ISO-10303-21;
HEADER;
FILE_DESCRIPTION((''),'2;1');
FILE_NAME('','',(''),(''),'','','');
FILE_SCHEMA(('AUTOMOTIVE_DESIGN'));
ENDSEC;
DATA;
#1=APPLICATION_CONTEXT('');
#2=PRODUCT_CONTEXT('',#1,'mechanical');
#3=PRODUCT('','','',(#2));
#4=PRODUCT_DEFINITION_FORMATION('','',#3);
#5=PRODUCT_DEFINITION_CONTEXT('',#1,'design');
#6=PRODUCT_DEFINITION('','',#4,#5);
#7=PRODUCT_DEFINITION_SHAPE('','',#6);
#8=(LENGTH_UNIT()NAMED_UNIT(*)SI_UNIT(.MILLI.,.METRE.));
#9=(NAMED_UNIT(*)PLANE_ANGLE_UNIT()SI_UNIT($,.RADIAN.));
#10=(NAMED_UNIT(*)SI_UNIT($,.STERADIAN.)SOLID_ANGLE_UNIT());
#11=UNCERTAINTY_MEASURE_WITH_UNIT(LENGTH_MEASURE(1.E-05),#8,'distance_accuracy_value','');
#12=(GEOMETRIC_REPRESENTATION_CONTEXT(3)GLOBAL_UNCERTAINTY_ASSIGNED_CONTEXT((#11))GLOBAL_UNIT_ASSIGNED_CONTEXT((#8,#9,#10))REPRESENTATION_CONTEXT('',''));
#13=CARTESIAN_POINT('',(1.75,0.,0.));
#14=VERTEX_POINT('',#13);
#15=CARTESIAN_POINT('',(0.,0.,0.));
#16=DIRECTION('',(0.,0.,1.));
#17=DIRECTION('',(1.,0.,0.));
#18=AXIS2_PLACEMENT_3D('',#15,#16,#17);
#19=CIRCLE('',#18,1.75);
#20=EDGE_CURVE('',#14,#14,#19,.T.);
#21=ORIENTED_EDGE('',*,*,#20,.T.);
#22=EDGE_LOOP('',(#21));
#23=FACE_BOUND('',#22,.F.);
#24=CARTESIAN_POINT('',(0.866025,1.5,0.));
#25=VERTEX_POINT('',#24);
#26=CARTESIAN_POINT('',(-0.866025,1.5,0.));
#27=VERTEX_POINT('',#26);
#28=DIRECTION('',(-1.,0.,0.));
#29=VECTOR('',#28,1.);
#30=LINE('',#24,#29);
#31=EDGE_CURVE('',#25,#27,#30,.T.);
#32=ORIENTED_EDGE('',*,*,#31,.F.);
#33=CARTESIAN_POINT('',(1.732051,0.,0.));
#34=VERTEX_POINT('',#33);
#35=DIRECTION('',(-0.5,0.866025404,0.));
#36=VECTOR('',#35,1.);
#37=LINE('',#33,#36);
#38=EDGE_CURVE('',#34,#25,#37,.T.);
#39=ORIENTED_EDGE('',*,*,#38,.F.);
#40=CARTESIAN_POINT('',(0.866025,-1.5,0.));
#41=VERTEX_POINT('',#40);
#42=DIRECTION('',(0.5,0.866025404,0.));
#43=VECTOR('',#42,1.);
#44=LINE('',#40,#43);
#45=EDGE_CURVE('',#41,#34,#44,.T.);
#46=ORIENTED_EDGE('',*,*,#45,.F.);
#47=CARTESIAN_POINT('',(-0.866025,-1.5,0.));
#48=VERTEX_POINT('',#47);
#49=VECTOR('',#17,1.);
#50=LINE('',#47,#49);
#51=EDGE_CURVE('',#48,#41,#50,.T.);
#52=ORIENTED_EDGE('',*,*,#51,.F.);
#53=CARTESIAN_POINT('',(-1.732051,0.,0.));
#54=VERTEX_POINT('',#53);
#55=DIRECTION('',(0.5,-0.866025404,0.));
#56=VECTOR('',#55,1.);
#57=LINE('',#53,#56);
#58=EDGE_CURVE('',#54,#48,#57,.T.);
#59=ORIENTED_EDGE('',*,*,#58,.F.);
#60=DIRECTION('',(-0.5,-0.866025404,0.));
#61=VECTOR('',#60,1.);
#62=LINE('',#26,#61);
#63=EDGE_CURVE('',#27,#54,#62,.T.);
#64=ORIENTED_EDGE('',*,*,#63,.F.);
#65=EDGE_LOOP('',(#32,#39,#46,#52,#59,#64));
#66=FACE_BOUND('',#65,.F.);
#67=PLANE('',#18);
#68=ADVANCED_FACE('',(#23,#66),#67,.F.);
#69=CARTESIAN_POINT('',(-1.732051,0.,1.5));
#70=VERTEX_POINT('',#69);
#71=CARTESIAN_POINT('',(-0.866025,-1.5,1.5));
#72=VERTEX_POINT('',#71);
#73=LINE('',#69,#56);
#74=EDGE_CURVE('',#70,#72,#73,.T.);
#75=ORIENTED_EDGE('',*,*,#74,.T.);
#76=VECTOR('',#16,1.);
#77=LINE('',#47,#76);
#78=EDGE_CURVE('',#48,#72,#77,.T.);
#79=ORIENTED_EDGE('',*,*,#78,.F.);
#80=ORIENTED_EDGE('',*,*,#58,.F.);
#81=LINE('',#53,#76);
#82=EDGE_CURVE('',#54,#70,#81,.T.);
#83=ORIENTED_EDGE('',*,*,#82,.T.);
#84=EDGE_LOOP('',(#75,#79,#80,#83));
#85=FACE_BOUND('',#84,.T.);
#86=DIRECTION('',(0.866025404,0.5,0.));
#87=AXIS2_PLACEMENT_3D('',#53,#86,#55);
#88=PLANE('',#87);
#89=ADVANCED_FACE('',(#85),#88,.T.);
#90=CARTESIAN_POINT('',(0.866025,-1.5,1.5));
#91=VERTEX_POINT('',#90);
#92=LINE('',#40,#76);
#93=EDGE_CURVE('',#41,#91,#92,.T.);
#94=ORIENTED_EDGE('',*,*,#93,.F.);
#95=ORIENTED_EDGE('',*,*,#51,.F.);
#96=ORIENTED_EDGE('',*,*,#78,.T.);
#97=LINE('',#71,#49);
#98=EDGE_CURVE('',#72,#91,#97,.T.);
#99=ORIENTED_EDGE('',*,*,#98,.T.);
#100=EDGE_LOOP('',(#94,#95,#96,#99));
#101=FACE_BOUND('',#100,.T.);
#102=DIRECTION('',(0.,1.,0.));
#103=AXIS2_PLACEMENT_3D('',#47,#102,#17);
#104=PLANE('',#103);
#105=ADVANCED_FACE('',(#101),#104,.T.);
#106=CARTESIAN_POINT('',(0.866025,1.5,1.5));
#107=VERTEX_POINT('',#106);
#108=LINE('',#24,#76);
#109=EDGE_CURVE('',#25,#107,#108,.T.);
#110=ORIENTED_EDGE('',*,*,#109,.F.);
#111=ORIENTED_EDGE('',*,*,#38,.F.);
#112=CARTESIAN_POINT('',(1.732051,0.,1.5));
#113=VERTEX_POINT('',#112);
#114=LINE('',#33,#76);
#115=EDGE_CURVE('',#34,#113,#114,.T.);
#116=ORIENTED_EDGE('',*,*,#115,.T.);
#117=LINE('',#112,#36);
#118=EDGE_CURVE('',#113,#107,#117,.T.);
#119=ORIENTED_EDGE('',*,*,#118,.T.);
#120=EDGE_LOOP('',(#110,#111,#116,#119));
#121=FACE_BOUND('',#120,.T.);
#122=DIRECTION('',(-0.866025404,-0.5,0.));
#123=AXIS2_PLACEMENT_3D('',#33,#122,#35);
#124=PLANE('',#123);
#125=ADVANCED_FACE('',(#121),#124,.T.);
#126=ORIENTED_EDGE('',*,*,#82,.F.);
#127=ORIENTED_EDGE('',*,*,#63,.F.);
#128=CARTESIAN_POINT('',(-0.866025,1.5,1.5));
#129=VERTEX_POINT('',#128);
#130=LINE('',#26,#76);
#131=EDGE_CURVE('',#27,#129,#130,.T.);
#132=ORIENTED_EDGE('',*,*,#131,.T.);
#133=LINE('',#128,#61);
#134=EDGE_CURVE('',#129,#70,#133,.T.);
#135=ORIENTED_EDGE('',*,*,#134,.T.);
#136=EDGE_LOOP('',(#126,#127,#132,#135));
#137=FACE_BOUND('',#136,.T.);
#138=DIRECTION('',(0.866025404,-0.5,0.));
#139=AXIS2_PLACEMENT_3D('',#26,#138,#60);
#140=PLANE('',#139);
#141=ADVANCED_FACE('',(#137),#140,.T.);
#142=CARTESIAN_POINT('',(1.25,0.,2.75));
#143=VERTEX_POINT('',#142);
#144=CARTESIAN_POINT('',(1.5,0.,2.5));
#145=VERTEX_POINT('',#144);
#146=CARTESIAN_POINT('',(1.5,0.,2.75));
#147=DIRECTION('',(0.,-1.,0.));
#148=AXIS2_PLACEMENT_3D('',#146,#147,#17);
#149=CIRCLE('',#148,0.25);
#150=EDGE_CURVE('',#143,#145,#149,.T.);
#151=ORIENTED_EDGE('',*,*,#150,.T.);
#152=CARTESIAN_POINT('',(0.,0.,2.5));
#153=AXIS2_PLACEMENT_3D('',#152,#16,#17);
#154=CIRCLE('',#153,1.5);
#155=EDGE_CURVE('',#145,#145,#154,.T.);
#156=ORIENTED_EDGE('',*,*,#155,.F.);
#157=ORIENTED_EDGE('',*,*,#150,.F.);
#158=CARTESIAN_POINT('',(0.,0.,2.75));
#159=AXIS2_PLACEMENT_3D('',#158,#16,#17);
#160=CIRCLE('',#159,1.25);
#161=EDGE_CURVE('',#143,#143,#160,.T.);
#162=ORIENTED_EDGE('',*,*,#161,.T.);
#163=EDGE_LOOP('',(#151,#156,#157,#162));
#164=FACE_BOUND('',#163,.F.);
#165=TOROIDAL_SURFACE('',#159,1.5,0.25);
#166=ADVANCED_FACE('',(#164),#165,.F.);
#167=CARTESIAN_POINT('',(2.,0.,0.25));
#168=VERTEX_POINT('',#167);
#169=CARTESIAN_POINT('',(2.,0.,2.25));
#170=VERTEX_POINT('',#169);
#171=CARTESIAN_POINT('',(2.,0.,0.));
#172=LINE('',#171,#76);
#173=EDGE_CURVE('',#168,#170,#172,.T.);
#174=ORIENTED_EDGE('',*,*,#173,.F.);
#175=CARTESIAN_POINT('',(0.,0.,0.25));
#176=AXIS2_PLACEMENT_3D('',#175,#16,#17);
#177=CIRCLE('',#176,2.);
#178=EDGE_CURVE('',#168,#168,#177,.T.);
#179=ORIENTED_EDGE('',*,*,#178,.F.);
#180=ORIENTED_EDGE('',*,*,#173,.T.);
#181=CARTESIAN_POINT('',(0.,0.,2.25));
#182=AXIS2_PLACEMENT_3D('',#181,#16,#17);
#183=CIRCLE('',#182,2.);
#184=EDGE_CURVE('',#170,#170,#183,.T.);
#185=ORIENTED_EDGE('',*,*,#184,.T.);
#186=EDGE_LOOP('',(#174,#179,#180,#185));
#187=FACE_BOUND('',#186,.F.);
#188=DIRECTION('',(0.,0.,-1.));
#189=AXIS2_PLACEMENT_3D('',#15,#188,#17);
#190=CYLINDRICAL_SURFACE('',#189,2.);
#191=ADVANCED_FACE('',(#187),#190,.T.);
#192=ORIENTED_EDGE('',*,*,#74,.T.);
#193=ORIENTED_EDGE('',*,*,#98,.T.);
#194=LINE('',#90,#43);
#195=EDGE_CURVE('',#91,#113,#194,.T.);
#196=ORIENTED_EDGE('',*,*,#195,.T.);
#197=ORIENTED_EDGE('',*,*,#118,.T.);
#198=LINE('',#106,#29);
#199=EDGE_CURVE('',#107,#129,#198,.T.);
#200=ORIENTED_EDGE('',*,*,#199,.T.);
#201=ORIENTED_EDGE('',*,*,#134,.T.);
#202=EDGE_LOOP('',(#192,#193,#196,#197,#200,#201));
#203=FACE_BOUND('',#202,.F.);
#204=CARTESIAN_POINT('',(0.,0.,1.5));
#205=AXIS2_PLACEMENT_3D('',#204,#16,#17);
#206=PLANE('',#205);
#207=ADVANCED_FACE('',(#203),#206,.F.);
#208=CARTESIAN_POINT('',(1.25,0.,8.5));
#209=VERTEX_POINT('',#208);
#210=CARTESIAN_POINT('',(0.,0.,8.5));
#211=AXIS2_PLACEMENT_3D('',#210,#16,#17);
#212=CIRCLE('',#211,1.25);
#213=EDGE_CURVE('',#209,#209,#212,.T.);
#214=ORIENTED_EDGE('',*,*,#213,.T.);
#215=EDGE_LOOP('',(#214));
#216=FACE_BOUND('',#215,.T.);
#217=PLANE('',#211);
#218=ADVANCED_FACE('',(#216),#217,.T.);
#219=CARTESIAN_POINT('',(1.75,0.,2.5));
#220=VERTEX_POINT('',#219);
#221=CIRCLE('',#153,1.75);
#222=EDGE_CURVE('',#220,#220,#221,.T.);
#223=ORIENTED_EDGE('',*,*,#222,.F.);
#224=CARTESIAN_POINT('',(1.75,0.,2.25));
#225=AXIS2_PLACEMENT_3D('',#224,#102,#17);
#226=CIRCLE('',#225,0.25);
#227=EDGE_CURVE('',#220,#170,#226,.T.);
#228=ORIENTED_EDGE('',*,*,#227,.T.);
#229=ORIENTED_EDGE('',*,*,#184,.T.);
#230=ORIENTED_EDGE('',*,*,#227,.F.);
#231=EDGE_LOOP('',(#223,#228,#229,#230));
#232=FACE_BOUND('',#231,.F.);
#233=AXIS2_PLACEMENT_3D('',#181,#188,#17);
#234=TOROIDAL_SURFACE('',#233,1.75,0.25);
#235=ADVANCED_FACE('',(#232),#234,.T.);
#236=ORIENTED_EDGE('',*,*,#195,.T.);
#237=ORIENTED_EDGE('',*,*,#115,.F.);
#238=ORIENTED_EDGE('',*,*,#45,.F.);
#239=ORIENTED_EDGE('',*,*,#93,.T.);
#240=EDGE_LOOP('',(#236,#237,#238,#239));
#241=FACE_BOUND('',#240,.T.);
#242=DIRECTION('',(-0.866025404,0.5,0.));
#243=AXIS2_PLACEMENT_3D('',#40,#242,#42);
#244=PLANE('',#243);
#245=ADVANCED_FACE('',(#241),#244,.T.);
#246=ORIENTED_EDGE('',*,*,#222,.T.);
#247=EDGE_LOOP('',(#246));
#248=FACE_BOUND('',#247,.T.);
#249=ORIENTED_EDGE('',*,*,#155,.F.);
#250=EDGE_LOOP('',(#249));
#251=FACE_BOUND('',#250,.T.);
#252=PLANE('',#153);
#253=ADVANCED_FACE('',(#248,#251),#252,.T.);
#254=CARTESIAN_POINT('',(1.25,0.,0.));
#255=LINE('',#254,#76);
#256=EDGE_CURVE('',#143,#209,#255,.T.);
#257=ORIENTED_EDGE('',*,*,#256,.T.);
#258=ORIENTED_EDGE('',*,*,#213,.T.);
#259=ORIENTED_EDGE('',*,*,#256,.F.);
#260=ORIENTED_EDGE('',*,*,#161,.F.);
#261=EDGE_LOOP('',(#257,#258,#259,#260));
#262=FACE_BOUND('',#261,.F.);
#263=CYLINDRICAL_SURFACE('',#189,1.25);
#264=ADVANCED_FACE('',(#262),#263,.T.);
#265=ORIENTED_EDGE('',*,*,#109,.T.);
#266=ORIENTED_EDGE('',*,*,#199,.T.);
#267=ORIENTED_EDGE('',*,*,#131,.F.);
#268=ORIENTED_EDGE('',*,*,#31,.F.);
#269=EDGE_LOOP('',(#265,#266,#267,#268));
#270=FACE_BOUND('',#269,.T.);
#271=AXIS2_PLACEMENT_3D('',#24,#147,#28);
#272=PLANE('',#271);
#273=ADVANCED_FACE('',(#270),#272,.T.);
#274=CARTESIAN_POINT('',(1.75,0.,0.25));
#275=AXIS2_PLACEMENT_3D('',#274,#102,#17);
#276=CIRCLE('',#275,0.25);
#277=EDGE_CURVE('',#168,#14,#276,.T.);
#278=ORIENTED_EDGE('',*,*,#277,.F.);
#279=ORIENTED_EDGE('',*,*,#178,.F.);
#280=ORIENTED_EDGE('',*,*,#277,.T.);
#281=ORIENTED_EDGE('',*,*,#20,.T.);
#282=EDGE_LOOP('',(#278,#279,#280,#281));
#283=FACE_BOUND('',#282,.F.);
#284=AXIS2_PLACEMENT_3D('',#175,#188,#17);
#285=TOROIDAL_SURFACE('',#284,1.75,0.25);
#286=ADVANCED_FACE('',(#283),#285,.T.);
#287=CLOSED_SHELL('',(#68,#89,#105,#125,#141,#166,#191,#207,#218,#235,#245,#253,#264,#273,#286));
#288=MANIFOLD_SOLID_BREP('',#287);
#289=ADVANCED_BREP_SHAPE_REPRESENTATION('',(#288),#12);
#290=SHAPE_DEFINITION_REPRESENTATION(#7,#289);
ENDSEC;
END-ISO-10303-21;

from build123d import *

# Parameters (mm, degrees)
F0_R      = 2
F0_R_2    = 1.25
F1_DEPTH  = 2.5
F2_DEPTH  = 8.5
F3_R      = 1.25
F2_FACE_R = 1.25
F4_DEPTH  = 1.5
F5_R      = 0.25


with BuildPart() as f1:
    # F0 (on Top) → F1 (new body)
    with BuildSketch(Plane.XY):
        Circle(F0_R)
        Circle(F0_R_2, mode=Mode.SUBTRACT)
    extrude(amount=F1_DEPTH)

    # F0 (on Top) → F2 (join)
    with BuildSketch(Plane.XY):
        Circle(F0_R_2)
    extrude(amount=F2_DEPTH)

    # F0 (on Top) + F3 (on face) + F2_face (on face) → F4 (cut)
    with BuildSketch(Plane.XY):
        Circle(F0_R_2)
    with BuildSketch(Plane.XY):
        Polygon((-0.8660254038, -1.5), (0.8660254038, -1.5), (1.7320508076, 0), (0.8660254038, 1.5), (-0.8660254038, 1.5), (-1.7320508076, 0), align=None)
        Circle(F3_R, mode=Mode.SUBTRACT)
        Circle(F3_R)
    with BuildSketch(Plane.XY.offset(8.5)):
        Circle(F2_FACE_R)
    extrude(amount=F4_DEPTH, mode=Mode.SUBTRACT)

    # F5
    f5_edges = [f1.edges().sort_by_distance(p)[0] for p in [
        (-1.25, 0, 2.5),
        (-2, 0, 2.5),
        (-2, 0, 0),
    ]]
    fillet(f5_edges, radius=F5_R)


solid = f1.part
